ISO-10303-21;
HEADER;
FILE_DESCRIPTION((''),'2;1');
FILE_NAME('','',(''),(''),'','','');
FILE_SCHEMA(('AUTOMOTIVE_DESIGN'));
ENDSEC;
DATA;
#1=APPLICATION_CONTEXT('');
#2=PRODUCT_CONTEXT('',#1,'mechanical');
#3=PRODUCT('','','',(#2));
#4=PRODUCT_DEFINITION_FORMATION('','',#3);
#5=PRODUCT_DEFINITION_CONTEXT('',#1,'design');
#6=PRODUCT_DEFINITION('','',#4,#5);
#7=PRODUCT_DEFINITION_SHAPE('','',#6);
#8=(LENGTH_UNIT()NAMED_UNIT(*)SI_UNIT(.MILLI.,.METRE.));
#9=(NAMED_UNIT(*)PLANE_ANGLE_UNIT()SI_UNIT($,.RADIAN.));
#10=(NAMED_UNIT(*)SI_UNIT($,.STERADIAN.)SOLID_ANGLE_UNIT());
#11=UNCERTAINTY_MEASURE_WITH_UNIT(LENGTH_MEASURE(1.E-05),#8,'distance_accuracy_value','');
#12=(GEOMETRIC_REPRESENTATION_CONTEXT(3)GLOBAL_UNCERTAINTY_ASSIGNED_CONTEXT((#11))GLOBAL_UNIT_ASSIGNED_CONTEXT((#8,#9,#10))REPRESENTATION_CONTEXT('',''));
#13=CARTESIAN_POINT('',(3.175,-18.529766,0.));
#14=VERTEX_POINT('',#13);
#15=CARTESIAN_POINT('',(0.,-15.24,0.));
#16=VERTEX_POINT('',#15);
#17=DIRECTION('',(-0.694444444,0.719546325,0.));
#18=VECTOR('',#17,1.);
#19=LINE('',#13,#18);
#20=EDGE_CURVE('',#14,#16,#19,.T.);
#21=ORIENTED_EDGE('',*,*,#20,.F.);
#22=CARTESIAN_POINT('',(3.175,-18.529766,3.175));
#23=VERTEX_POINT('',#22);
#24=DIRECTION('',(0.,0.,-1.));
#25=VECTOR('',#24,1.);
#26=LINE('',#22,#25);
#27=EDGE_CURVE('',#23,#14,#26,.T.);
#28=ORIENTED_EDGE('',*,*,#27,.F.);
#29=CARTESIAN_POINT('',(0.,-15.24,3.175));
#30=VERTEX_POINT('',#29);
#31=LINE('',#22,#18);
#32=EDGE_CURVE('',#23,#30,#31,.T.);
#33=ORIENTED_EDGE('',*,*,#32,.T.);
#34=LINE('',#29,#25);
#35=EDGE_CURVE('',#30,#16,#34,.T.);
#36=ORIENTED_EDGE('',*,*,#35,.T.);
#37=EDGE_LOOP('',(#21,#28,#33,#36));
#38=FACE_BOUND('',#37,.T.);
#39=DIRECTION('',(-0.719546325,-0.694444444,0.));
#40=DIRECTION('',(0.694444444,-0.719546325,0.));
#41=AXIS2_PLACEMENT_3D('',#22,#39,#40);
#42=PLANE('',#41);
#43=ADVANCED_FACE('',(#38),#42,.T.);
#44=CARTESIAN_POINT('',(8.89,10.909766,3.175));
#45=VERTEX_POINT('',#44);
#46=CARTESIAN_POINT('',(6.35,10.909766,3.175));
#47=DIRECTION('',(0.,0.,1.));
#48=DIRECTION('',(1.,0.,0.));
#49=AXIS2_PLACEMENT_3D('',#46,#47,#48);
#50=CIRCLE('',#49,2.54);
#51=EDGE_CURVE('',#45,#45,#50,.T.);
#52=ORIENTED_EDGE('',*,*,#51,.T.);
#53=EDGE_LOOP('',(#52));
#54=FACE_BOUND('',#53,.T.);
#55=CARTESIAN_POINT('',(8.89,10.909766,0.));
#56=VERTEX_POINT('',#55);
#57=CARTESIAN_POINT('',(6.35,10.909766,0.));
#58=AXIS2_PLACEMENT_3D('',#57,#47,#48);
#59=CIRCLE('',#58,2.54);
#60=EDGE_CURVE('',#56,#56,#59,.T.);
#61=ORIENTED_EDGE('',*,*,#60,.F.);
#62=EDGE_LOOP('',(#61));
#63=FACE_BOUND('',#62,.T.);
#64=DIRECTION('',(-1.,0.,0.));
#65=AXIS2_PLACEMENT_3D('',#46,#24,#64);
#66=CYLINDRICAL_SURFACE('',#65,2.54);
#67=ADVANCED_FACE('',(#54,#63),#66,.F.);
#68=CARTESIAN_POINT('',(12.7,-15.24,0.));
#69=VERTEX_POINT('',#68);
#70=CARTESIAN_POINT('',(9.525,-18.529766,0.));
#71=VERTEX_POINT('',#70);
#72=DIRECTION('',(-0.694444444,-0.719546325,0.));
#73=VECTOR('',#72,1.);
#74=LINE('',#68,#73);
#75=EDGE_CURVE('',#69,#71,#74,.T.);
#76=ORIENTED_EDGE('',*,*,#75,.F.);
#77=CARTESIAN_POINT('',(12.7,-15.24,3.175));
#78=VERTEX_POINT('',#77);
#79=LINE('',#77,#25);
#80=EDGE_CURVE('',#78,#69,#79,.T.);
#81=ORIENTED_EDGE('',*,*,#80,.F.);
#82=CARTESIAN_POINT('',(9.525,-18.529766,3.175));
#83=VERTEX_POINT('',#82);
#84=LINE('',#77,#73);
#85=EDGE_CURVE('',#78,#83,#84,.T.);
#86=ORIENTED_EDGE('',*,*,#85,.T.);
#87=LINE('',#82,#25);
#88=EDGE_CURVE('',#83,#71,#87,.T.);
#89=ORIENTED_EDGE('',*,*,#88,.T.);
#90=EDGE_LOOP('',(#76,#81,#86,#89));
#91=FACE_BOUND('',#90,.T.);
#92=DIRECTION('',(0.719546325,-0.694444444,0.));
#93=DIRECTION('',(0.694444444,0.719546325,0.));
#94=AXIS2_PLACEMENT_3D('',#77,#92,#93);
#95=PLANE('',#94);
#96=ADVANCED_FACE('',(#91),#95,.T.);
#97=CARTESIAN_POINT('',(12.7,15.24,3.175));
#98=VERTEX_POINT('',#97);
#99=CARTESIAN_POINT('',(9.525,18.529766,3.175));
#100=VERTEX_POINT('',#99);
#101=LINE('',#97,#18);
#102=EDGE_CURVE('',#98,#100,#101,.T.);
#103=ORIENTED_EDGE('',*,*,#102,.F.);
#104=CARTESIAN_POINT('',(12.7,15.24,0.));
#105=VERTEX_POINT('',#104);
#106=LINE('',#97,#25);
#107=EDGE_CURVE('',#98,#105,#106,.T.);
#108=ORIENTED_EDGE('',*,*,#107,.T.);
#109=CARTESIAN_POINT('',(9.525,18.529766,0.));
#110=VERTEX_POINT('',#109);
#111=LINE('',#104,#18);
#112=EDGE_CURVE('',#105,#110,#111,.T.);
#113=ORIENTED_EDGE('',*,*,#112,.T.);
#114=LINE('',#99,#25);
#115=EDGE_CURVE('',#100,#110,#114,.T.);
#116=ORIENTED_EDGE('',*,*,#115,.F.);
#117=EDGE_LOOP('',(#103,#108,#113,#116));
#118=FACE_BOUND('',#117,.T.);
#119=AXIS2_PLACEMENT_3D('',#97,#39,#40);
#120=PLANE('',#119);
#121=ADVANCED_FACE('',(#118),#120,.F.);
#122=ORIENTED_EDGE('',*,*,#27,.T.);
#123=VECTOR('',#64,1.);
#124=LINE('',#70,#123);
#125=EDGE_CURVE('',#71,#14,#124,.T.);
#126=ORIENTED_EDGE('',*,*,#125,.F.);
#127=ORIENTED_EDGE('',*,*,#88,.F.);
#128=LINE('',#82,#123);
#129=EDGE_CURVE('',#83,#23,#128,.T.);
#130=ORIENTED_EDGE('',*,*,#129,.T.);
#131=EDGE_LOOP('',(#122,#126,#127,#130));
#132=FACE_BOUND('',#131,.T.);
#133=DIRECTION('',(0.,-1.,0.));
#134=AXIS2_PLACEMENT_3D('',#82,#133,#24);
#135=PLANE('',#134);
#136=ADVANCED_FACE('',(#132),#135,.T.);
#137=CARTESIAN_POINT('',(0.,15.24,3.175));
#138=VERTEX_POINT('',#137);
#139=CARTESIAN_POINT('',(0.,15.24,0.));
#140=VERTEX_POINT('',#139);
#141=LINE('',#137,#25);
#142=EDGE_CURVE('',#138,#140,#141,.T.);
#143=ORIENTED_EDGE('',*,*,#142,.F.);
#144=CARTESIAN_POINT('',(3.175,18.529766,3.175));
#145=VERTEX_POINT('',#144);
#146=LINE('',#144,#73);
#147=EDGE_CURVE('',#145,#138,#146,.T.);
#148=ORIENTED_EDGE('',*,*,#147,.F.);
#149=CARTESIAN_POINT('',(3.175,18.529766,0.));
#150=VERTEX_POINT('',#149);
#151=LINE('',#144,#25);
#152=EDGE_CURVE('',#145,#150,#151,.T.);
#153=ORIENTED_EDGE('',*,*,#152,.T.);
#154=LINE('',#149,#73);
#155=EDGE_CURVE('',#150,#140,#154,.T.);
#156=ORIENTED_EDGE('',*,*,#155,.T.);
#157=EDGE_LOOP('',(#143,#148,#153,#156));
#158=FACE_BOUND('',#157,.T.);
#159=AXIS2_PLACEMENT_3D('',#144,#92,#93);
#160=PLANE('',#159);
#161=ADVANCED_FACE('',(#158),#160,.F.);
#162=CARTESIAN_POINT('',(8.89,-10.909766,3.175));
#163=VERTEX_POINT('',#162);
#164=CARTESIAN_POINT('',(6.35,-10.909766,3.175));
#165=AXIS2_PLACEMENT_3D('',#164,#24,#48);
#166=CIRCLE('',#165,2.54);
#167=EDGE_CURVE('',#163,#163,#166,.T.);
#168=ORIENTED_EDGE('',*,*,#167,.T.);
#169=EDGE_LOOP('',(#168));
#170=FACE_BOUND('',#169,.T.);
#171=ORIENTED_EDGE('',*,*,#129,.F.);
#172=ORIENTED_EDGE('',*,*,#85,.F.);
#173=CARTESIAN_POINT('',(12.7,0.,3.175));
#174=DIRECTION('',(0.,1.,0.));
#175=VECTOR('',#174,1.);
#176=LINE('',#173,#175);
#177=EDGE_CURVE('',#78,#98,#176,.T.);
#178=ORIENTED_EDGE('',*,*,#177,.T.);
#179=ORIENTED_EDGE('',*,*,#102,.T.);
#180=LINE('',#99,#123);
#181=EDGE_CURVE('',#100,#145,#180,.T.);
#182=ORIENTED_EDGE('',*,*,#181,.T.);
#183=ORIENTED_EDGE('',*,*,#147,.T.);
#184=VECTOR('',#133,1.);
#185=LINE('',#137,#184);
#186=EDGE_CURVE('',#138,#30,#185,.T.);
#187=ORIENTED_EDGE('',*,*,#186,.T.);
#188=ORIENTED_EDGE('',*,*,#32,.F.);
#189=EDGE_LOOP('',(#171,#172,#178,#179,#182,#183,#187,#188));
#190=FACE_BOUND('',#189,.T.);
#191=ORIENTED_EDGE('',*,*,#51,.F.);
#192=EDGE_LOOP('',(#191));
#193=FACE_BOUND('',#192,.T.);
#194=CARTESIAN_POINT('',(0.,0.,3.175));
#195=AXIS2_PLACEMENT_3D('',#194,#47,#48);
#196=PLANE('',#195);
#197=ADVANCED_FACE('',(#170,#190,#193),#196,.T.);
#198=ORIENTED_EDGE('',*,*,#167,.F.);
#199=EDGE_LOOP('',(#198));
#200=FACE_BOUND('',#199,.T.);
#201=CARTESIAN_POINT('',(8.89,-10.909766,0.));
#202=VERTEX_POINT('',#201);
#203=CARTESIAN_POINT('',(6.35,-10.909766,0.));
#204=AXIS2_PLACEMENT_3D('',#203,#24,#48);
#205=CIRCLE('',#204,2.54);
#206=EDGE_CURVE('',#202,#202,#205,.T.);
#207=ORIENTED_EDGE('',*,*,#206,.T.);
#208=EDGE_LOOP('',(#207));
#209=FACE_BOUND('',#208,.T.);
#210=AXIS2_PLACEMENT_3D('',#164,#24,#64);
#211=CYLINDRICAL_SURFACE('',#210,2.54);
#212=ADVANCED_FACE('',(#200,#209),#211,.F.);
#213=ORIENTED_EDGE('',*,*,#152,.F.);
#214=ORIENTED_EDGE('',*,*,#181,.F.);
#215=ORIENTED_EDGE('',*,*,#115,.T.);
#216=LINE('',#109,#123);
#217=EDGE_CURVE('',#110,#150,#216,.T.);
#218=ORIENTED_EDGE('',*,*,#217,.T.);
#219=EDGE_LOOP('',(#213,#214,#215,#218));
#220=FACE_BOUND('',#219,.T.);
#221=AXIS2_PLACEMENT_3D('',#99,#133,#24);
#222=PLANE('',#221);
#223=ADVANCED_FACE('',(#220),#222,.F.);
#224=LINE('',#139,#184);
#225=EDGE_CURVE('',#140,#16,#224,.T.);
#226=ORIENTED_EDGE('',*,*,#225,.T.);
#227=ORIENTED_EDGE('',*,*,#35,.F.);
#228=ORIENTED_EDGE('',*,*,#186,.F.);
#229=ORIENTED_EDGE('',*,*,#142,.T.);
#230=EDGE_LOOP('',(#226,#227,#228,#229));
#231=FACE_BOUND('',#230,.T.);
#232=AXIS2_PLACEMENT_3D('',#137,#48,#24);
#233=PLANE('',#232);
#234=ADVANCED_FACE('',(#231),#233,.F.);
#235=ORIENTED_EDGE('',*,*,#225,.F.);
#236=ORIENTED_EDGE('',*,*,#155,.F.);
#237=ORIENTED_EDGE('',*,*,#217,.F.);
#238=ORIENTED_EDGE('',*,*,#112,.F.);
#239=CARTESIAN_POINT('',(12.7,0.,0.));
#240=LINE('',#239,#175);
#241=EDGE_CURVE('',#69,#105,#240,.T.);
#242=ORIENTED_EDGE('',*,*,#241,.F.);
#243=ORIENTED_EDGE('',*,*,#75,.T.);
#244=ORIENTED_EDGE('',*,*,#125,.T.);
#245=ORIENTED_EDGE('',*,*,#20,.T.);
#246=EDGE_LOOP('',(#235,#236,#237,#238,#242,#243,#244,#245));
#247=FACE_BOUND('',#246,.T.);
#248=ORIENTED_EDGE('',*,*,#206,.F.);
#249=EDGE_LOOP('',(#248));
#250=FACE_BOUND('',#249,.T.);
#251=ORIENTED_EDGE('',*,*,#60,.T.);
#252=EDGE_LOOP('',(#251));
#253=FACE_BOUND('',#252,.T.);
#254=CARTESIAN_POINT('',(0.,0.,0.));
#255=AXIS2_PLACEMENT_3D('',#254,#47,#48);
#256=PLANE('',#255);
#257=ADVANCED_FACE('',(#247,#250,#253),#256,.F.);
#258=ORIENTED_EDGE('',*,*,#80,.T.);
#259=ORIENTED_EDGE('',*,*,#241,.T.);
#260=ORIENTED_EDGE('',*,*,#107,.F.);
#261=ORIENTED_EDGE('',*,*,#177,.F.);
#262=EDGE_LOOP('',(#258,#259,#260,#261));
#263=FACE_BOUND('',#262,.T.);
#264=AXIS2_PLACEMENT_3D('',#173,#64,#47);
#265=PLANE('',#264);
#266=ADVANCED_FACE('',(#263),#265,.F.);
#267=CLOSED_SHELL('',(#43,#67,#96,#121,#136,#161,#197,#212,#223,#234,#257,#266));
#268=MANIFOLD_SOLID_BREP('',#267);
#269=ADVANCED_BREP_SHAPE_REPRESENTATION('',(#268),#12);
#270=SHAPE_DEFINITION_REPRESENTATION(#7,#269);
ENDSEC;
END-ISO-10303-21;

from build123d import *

# Parameters (mm, degrees)
SKETCH4_R           = 2.54
BOSS_EXTRUDE1_DEPTH = 3.175


with BuildPart() as part:
    # Sketch4 → Boss-Extrude1 (new body)
    with BuildSketch(Plane.XY):
        Polygon((0, 0), (12.7, 0), (12.7, 15.24), (9.525, 18.529765797), (3.175, 18.529765797), (0, 15.24), align=None)
        with Locations((6.35, 10.909765797)):
            Circle(SKETCH4_R, mode=Mode.SUBTRACT)
    boss_extrude1 = extrude(amount=BOSS_EXTRUDE1_DEPTH)

    # Mirror1: Boss-Extrude1 across plane
    add(boss_extrude1.mirror(Plane.ZX))


solid = part.part
